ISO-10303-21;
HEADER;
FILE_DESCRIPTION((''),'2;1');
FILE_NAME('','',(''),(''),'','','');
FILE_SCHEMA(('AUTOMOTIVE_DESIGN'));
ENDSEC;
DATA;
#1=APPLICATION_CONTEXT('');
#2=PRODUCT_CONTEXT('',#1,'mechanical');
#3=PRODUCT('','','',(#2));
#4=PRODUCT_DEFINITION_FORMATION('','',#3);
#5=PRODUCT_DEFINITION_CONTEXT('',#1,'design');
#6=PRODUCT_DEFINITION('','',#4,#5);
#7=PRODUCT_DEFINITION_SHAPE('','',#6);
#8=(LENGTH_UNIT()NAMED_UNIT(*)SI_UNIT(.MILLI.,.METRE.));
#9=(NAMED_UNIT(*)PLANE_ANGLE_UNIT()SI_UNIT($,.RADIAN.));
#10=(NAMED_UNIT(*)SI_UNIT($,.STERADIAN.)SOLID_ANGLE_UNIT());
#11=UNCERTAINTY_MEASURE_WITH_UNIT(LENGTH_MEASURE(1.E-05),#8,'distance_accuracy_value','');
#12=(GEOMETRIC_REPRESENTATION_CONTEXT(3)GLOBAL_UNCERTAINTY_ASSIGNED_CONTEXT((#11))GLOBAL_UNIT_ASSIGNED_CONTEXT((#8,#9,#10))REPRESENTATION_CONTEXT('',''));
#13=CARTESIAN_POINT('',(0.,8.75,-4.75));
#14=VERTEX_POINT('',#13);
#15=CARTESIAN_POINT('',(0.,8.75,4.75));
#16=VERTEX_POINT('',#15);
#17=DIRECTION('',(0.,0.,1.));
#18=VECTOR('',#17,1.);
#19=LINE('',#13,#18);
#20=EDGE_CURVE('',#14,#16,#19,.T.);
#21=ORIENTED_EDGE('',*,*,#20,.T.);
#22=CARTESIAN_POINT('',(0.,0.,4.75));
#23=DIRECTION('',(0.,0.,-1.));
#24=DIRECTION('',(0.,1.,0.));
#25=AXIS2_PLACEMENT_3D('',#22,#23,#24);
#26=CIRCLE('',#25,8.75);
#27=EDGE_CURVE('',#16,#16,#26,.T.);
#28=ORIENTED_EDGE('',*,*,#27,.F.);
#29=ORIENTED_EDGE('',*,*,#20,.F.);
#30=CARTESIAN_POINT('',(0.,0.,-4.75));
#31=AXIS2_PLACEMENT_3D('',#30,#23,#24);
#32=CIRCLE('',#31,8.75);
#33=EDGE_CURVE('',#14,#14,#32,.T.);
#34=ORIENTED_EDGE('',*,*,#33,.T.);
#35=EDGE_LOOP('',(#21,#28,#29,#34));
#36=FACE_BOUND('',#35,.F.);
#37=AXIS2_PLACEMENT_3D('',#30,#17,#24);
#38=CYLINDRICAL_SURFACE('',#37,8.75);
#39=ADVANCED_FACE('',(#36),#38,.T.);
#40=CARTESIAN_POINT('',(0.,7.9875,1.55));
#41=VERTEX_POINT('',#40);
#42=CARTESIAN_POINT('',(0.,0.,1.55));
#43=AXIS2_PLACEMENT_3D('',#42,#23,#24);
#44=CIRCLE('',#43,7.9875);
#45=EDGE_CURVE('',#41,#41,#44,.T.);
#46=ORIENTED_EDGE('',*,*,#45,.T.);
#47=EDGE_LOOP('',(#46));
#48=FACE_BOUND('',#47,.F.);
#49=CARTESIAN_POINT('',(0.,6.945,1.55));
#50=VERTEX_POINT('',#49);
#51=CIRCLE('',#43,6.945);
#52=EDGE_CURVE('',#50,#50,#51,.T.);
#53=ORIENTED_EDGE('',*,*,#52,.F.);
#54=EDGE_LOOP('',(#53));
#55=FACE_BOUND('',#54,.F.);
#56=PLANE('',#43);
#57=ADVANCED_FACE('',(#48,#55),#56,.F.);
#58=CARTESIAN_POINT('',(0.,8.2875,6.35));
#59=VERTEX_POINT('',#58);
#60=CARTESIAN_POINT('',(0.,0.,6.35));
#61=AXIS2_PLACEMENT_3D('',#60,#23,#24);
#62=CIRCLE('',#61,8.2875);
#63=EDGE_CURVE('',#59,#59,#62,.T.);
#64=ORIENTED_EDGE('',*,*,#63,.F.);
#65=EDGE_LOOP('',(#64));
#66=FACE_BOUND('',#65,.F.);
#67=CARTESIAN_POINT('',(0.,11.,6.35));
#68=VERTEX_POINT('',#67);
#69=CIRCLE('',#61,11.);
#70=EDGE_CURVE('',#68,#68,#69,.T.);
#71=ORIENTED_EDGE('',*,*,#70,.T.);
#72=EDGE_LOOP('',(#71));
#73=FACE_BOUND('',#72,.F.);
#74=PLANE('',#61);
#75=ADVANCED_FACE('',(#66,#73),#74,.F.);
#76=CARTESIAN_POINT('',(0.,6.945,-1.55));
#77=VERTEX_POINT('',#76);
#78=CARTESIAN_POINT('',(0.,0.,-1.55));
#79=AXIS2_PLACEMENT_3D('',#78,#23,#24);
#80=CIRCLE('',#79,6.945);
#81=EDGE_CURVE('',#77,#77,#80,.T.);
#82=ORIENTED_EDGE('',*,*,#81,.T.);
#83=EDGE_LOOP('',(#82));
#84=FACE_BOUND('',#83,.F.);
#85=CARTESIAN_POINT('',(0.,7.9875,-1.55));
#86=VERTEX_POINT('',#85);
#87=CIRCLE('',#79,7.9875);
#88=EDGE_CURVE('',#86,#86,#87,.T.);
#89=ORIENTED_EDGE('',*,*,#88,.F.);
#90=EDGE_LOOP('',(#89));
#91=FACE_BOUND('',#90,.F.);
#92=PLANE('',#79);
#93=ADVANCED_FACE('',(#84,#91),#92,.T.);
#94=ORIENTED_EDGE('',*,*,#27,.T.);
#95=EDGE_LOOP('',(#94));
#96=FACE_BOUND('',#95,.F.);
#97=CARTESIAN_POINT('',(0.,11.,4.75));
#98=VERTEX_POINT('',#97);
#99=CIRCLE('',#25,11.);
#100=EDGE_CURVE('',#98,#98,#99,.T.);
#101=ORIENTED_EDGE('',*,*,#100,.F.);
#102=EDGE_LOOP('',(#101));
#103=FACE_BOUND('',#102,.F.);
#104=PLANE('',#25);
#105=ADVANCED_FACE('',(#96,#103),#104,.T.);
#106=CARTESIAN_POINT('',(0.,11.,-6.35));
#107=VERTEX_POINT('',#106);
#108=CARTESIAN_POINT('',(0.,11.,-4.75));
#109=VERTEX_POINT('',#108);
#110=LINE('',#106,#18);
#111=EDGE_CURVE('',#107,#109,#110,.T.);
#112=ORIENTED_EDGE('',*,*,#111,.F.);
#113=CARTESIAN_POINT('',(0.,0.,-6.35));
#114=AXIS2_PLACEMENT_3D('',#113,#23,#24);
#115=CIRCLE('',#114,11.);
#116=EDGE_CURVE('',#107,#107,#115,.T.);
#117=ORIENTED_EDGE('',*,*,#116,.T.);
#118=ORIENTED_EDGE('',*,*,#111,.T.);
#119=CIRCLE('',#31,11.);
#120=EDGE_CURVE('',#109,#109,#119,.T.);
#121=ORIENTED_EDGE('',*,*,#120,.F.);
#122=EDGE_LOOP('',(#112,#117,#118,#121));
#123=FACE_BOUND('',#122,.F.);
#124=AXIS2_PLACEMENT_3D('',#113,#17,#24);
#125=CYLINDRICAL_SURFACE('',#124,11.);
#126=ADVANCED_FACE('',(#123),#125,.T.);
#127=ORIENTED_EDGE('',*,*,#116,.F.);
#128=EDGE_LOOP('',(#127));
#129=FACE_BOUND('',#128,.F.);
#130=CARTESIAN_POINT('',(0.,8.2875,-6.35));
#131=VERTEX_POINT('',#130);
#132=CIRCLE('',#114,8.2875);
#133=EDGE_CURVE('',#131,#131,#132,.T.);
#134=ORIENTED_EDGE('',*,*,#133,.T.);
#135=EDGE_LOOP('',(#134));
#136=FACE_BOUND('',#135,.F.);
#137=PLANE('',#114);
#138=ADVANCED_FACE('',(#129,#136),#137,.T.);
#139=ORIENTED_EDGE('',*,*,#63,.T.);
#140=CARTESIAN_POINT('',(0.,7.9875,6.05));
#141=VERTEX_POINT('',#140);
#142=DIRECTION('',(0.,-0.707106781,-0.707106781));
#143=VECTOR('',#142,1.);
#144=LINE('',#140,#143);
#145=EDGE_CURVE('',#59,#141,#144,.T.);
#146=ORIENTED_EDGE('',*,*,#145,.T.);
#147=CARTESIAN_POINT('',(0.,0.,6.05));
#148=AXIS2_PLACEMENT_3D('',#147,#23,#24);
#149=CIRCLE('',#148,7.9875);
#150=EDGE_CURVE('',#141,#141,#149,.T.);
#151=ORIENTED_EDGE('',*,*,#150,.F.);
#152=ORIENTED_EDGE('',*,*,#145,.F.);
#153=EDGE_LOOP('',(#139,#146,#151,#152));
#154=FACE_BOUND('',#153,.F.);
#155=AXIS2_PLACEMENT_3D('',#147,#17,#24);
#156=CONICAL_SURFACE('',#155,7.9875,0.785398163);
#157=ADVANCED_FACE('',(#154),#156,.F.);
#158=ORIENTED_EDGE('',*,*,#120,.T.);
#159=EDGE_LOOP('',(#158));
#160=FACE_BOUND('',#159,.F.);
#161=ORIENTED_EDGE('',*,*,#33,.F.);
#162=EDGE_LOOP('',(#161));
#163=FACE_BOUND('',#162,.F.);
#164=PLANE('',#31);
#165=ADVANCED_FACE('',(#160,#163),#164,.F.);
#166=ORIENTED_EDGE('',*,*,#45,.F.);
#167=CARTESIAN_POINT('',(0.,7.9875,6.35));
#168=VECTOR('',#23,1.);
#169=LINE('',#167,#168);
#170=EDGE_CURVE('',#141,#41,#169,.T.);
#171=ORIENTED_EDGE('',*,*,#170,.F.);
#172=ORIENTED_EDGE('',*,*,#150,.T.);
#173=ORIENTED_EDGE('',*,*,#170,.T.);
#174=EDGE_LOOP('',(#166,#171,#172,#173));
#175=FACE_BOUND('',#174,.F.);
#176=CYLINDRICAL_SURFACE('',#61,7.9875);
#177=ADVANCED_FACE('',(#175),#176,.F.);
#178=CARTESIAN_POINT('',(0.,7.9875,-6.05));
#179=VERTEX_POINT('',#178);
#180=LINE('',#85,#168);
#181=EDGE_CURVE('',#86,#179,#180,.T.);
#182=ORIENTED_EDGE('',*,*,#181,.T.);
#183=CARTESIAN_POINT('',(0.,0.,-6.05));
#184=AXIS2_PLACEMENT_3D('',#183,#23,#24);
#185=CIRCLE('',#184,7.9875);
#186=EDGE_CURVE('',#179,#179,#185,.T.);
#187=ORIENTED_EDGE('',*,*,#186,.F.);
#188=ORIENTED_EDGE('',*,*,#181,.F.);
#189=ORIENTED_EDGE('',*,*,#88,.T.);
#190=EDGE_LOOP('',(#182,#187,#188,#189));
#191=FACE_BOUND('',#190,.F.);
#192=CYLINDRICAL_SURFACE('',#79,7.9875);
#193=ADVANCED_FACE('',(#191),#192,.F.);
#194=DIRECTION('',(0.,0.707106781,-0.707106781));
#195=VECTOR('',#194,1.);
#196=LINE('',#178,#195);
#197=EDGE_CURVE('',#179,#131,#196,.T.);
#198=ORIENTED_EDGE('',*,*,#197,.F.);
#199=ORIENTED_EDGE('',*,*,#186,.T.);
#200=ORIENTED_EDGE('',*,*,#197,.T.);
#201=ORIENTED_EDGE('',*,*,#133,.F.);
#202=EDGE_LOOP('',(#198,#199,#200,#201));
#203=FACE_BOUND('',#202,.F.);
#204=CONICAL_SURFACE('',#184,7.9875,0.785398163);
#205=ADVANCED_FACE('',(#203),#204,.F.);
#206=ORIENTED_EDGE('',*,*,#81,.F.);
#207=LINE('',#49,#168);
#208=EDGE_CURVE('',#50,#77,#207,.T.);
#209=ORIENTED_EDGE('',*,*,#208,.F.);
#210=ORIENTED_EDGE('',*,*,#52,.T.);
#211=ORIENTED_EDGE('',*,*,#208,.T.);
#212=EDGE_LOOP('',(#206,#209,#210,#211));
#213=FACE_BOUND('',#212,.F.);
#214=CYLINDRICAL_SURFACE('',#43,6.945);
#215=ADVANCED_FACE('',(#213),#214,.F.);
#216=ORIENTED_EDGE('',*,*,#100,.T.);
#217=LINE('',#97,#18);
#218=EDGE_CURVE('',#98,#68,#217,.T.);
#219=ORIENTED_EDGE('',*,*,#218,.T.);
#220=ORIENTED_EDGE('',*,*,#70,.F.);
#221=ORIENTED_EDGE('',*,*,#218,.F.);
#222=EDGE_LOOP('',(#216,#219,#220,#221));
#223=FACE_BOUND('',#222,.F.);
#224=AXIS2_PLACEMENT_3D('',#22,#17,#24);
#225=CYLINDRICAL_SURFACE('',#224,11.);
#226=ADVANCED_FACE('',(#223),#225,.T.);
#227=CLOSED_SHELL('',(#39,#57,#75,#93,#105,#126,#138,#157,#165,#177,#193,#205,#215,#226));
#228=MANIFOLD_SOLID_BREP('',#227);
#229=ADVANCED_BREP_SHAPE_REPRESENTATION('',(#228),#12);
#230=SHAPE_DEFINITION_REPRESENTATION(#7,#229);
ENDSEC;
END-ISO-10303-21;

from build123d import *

# Parameters (mm, degrees)
CHAMFER1_SIZE = 0.3


with BuildPart() as part:
    # Sketch1 → Revolve1 (revolve)
    with BuildSketch(Plane(origin=(0, 0, 0), x_dir=(0, 0, -1), z_dir=(1, 0, 0))):
        Polygon((4.75, 8.75), (-4.75, 8.75), (-4.75, 11), (-6.35, 11), (-6.35, 7.9875), (-1.55, 7.9875), (-1.55, 6.945), (1.55, 6.945), (1.55, 7.9875), (6.35, 7.9875), (6.35, 11), (4.75, 11), align=None)
    revolve(axis=Axis((0, 0, 0), (0, 0, -1)))

    # Chamfer1
    chamfer1_edges = [part.edges().sort_by_distance(p)[0] for p in [
        (0, -7.9875, 6.35),
        (0, -7.9875, -6.35),
    ]]
    chamfer(chamfer1_edges, length=CHAMFER1_SIZE)


solid = part.part
